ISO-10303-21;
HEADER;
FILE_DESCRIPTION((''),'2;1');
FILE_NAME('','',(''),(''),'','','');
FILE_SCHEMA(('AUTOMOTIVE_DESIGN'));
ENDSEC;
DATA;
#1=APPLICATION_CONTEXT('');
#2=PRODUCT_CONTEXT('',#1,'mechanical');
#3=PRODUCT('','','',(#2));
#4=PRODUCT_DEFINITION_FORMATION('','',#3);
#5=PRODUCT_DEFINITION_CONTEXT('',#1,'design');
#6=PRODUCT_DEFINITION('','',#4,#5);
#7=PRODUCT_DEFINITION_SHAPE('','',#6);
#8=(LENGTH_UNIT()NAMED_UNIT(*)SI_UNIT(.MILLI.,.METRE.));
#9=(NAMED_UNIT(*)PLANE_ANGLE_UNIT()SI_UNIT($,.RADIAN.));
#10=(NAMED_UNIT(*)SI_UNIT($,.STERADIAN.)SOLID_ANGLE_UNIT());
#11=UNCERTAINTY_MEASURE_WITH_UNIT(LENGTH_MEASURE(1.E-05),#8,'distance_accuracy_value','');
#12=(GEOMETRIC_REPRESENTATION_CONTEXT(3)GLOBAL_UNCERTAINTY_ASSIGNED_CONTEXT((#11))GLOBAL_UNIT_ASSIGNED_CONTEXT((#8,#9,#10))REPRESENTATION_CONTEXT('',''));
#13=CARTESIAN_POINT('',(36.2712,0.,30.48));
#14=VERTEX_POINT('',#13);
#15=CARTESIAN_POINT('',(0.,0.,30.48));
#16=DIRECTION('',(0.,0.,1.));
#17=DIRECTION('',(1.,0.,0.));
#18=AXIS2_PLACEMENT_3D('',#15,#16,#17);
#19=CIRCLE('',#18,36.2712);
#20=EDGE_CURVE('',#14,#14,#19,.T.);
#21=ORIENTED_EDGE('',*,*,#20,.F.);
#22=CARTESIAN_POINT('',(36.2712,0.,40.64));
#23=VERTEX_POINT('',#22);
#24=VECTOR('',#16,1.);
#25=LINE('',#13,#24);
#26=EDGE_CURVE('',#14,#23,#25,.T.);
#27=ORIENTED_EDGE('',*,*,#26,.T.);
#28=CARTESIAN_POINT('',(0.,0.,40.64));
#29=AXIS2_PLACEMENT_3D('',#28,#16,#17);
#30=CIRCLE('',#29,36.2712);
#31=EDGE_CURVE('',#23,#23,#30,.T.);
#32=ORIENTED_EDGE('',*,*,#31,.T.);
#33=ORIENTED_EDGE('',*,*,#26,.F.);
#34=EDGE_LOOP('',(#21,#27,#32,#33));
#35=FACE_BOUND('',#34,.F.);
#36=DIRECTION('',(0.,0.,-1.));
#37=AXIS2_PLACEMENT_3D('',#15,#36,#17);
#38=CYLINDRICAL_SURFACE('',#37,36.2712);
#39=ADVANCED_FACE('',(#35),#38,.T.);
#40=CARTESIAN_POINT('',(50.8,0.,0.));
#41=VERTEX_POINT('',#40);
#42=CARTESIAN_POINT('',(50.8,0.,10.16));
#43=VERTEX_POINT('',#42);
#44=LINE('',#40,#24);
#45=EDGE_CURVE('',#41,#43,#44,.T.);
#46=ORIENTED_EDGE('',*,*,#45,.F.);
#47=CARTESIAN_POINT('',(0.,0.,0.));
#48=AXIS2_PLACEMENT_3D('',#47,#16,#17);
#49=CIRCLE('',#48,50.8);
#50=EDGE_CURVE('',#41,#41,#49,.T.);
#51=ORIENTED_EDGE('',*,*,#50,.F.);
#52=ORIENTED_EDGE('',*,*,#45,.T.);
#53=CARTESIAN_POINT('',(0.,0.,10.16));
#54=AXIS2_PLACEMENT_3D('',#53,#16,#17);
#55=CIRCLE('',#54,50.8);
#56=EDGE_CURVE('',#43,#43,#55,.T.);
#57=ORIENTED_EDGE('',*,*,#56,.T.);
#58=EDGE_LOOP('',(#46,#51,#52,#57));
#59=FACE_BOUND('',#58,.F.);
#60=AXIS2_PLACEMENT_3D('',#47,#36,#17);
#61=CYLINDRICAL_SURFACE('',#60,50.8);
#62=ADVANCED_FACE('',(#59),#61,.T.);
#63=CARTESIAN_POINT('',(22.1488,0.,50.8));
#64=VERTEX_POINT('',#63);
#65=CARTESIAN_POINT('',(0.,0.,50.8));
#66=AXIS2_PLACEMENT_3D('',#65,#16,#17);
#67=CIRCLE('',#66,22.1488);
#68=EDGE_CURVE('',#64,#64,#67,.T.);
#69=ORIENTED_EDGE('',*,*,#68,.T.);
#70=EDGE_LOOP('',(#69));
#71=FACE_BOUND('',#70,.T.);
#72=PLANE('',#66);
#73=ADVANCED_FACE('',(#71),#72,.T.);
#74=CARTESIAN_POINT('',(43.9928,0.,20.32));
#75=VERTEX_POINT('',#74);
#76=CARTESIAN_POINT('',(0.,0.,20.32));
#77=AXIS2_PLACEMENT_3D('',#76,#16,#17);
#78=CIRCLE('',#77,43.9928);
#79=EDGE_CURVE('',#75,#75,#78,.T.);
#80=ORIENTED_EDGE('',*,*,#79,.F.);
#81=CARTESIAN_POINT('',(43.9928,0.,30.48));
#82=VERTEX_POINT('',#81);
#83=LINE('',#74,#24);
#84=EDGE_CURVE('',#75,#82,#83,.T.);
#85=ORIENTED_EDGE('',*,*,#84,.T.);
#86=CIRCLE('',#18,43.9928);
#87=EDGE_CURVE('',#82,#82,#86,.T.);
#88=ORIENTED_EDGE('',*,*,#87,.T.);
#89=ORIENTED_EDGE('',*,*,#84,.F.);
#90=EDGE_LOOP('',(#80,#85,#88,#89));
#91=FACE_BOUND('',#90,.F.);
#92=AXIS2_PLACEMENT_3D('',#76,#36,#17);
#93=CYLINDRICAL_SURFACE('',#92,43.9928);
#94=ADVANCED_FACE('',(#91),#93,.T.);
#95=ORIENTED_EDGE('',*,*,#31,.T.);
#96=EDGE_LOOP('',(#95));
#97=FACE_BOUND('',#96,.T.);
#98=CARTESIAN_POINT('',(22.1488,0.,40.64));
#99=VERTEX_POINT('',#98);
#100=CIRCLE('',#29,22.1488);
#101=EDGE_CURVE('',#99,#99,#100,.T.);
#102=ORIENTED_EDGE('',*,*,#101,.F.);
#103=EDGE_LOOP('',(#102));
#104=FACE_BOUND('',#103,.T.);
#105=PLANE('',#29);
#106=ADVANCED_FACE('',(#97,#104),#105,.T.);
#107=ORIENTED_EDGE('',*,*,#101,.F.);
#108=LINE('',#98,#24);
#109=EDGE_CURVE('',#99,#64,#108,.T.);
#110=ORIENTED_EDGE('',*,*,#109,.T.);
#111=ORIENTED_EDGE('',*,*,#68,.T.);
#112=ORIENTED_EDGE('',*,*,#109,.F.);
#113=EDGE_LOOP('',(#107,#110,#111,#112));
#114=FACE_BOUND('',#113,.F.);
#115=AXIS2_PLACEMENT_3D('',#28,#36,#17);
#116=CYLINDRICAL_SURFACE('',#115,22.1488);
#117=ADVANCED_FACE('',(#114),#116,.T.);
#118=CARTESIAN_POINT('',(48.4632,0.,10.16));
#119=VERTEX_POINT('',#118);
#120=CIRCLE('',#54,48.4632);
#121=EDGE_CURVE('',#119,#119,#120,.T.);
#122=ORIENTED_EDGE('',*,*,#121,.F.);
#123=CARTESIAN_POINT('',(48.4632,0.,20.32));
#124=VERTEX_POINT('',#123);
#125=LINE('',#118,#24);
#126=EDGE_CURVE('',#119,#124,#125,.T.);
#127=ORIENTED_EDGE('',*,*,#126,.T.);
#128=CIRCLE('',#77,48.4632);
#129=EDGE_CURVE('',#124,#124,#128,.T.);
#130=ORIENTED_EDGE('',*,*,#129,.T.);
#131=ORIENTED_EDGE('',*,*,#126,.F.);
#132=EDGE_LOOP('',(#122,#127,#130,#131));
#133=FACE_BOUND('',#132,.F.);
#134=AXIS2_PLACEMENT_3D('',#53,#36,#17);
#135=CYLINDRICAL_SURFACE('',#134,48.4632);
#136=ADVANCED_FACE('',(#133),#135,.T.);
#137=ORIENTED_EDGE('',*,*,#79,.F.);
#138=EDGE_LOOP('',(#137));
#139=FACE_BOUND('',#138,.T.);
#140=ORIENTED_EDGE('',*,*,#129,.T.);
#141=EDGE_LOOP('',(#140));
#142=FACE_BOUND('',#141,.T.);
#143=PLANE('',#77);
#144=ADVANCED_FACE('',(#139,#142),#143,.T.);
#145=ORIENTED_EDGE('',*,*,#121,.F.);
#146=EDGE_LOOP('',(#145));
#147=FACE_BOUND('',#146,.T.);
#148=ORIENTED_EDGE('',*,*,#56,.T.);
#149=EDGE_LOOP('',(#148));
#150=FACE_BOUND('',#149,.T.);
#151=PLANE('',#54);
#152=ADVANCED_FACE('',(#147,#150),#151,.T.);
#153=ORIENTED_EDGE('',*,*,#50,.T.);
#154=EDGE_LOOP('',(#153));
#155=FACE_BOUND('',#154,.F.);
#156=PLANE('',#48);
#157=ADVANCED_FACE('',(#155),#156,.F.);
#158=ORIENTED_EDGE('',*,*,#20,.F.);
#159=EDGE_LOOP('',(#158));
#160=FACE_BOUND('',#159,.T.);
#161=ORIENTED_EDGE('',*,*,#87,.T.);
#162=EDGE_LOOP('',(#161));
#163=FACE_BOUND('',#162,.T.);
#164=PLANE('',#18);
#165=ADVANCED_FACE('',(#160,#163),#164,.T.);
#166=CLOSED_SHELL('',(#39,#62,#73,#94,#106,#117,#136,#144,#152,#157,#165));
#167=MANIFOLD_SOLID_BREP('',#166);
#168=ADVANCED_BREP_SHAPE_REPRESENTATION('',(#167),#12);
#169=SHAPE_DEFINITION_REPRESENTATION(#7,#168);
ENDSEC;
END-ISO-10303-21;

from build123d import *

# Parameters (mm, degrees)
F0_R     = 50.8
F1_DEPTH = 10.16
F2_R     = 48.4632
F3_DEPTH = 10.16
F4_R     = 43.9928
F5_DEPTH = 10.16
F6_R     = 36.2712
F7_DEPTH = 10.16
F8_R     = 22.1488
F9_DEPTH = 10.16


with BuildPart() as f1:
    # F0 (on Top) → F1 (new body)
    with BuildSketch(Plane.XY):
        Circle(F0_R)
    extrude(amount=F1_DEPTH)

    # F2 (on face) → F3 (join)
    with BuildSketch(Plane.XY.offset(10.16)):
        Circle(F2_R)
    extrude(amount=F3_DEPTH)

    # F4 (on face) → F5 (join)
    with BuildSketch(Plane.XY.offset(20.32)):
        Circle(F4_R)
    extrude(amount=F5_DEPTH)

    # F6 (on face) → F7 (join)
    with BuildSketch(Plane.XY.offset(30.48)):
        Circle(F6_R)
    extrude(amount=F7_DEPTH)

    # F8 (on face) → F9 (join)
    with BuildSketch(Plane.XY.offset(40.64)):
        Circle(F8_R)
    extrude(amount=F9_DEPTH)


solid = f1.part
